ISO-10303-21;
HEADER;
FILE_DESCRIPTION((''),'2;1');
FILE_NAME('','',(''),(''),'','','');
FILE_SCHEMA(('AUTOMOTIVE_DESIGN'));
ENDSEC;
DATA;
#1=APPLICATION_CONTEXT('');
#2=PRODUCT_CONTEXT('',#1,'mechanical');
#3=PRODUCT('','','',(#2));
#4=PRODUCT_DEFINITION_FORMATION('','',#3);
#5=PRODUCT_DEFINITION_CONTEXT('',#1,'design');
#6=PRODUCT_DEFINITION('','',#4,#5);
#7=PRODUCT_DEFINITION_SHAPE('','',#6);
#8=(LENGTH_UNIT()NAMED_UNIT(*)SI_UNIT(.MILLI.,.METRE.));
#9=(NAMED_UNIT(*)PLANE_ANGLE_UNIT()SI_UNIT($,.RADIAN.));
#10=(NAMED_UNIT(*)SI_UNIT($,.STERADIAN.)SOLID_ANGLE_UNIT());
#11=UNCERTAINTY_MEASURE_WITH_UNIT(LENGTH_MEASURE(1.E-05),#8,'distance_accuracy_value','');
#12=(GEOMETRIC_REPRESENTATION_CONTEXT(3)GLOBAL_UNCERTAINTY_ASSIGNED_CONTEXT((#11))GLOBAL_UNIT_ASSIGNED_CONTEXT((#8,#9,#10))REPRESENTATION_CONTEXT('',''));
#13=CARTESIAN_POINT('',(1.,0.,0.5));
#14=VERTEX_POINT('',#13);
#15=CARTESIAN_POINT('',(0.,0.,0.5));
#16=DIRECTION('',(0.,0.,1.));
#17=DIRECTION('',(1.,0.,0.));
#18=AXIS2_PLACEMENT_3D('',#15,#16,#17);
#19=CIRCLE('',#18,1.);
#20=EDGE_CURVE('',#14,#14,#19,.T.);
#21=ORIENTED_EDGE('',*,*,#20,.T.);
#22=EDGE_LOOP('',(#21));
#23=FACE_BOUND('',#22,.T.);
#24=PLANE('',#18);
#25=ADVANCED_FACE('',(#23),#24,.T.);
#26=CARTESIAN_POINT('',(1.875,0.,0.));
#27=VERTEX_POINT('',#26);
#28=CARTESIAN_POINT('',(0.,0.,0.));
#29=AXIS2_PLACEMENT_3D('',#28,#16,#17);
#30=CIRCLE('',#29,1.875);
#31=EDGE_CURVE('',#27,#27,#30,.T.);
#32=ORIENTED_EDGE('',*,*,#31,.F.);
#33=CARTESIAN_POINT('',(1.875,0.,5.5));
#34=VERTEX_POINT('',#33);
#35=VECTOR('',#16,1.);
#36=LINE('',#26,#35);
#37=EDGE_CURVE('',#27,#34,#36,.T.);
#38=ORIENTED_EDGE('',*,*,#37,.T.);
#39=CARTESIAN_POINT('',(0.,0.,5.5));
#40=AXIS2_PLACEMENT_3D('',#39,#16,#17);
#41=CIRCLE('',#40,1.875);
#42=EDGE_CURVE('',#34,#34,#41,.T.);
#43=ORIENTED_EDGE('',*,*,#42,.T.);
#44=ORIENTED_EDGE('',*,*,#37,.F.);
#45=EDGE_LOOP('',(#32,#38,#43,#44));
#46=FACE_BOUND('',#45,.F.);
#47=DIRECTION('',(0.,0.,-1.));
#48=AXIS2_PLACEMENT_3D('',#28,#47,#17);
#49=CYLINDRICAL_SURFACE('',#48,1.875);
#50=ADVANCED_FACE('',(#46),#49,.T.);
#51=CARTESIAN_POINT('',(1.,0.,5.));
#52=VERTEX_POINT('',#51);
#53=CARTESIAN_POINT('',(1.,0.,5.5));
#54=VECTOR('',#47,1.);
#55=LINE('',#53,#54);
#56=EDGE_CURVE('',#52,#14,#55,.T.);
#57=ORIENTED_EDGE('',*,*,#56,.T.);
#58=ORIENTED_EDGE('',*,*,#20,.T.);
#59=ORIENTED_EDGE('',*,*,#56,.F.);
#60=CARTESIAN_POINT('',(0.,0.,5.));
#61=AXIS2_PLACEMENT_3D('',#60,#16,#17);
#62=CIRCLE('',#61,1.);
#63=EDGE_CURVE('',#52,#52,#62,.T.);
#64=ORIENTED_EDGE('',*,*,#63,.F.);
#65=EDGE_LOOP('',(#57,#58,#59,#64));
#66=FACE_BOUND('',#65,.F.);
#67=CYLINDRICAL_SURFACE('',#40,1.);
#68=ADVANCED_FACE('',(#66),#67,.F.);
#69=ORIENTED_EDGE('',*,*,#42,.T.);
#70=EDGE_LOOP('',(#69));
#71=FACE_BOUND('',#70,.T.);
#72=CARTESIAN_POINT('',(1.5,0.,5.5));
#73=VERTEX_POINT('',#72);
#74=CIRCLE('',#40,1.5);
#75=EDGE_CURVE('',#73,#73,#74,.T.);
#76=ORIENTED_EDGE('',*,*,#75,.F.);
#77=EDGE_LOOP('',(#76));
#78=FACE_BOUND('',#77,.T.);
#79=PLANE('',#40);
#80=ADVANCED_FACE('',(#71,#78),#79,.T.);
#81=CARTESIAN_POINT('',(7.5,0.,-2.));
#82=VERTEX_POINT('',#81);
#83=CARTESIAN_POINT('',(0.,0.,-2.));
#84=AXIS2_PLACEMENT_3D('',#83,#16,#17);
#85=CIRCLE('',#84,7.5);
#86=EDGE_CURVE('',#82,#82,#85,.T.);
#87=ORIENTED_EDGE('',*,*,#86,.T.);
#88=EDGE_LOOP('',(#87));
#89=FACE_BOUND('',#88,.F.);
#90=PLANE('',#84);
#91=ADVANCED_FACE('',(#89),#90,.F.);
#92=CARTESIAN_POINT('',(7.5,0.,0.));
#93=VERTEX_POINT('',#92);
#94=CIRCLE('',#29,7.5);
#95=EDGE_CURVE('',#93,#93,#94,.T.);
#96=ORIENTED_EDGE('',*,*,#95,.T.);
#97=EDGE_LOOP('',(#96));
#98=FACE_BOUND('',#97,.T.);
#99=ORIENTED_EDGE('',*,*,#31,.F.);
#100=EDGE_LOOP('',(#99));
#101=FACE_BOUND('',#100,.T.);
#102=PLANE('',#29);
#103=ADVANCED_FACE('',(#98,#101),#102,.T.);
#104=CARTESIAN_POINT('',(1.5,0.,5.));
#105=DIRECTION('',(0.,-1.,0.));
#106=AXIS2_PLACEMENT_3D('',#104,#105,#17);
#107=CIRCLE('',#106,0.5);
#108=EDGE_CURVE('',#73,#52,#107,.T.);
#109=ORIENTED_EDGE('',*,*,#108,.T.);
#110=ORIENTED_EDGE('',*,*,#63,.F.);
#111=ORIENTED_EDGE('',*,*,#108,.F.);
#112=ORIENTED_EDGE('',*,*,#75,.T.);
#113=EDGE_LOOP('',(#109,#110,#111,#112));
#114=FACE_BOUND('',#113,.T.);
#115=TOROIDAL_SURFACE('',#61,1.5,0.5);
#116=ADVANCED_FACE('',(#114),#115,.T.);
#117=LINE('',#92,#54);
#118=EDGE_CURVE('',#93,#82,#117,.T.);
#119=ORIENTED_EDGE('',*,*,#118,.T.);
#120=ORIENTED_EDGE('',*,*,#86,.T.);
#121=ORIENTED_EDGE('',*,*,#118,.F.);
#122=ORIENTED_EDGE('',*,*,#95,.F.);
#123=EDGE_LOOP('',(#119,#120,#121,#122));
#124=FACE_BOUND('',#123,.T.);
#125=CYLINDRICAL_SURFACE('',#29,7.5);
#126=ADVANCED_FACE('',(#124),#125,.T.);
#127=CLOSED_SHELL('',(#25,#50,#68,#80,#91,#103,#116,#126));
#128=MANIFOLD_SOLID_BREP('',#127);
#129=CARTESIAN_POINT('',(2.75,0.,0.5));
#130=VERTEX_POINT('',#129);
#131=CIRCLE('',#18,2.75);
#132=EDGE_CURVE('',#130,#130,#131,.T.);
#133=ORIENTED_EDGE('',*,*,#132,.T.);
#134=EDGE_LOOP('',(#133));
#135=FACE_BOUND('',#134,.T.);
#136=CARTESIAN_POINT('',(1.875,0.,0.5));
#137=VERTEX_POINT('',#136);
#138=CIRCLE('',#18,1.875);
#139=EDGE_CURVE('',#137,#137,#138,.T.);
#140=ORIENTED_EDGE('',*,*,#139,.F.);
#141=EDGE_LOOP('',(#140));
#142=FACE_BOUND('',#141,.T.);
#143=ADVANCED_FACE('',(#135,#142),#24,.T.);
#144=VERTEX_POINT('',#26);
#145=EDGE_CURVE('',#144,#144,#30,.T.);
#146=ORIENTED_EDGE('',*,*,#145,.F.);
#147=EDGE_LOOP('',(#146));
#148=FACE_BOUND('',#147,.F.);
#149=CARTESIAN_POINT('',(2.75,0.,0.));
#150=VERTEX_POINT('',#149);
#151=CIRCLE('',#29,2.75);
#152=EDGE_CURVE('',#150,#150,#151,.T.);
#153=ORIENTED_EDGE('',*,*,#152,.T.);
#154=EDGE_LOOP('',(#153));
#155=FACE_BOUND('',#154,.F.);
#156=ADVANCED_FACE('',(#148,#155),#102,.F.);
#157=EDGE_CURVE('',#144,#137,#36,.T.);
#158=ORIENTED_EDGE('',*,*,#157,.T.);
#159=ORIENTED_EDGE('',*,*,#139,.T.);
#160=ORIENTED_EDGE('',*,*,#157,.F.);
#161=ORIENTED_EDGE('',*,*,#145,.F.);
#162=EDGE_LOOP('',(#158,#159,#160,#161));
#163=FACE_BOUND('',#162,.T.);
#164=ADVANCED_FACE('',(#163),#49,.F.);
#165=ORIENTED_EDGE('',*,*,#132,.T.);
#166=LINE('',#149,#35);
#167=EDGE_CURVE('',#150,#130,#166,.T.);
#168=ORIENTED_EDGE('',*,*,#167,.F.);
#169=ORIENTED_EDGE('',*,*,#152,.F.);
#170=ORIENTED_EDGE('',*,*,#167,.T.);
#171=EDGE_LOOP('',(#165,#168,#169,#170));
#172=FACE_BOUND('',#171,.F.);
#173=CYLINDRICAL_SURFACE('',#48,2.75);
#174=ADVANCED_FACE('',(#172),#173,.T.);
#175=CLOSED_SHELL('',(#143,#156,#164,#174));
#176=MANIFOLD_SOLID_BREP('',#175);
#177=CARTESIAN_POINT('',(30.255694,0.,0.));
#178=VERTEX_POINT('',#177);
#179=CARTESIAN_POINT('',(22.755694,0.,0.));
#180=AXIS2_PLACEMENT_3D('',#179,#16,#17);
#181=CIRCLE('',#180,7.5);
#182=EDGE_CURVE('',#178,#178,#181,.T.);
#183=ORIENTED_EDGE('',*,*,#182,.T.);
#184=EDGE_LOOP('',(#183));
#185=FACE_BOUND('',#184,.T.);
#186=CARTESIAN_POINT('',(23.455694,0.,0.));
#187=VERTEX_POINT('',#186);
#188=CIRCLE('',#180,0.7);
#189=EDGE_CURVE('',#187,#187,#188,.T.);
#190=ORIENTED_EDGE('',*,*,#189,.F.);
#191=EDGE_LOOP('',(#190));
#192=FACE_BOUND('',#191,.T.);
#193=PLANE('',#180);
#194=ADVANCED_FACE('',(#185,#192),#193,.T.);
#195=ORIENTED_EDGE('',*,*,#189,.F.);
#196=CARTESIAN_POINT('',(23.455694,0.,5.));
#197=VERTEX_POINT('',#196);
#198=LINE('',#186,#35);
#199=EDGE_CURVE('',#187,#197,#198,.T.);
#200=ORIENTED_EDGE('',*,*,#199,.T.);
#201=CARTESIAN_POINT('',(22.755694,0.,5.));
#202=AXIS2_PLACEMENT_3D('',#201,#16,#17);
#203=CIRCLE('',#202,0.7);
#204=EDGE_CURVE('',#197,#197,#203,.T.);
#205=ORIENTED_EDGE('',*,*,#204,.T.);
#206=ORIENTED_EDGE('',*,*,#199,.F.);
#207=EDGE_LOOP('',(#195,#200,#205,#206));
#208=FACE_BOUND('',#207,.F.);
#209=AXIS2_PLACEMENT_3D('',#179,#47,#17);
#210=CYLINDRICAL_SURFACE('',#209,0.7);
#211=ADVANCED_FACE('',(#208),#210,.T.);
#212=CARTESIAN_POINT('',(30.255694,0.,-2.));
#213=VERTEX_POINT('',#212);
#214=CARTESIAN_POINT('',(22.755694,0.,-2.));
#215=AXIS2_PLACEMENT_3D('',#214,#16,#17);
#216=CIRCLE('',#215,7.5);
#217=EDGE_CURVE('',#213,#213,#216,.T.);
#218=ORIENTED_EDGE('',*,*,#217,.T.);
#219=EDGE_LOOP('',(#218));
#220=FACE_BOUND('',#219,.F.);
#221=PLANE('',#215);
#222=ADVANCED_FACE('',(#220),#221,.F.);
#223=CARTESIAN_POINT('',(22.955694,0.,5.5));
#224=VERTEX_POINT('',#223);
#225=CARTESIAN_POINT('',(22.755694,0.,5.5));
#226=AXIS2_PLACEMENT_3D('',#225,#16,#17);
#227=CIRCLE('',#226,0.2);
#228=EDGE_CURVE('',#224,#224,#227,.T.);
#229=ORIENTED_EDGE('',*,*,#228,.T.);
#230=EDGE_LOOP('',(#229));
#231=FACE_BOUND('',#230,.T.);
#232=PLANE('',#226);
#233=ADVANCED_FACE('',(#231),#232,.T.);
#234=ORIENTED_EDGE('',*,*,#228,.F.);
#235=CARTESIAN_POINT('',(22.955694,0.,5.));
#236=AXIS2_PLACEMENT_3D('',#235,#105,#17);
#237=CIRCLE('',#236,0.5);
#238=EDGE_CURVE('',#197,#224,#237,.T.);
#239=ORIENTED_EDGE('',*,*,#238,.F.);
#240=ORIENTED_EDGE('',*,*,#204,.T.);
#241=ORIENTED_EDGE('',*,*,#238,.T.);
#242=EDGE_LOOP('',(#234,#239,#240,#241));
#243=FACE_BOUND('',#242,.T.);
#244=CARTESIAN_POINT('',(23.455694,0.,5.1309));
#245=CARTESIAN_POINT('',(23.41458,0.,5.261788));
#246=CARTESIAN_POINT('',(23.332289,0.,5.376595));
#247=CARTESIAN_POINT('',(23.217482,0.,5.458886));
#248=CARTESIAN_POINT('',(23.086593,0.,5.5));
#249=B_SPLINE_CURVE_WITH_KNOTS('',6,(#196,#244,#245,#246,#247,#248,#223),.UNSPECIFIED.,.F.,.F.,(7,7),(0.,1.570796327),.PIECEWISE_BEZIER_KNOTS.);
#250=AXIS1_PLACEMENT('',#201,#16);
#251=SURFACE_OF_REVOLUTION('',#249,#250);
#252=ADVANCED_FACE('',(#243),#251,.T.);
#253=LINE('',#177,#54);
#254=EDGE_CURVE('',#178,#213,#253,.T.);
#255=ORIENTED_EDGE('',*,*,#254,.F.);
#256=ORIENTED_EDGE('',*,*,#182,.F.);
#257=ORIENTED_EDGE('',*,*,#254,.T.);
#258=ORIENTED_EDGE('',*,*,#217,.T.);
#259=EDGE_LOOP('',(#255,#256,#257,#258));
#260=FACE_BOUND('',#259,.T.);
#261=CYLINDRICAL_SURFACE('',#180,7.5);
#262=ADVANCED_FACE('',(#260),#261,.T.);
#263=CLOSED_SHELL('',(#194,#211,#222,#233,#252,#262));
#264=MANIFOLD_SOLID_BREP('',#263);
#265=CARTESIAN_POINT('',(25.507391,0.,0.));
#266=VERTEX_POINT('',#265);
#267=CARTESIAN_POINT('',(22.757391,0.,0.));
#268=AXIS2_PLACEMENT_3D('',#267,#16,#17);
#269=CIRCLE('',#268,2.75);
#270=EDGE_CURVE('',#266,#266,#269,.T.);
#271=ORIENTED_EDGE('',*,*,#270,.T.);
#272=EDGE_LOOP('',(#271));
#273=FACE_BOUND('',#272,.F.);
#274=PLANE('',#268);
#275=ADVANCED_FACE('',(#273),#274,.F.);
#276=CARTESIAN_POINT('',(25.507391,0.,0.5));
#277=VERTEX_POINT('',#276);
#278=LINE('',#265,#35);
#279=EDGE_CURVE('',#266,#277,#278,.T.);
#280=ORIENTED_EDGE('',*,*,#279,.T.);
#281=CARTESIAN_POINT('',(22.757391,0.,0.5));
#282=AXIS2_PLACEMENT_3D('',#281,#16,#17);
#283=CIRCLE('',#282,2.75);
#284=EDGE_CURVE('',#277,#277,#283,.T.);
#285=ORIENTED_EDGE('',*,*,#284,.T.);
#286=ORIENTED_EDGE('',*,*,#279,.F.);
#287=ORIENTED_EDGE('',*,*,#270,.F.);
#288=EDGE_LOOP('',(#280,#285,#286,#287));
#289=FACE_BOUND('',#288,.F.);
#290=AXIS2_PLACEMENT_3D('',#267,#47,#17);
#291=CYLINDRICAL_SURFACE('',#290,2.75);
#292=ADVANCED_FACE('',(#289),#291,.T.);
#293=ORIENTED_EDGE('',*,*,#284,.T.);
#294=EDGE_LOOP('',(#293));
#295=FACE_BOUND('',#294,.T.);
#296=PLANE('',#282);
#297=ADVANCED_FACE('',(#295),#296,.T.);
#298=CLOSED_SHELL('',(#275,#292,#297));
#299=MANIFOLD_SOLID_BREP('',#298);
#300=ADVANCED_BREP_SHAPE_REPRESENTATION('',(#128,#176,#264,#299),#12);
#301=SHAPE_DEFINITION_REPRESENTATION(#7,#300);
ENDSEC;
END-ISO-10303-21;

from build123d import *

# Parameters (mm, degrees)
F0_R      = 7.5
F1_DEPTH  = 2
F2_R      = 1.875
F3_DEPTH  = 5.5
F4_R      = 1
F5_DEPTH  = 5
F6_R      = 0.7
F7_DEPTH  = 5.5
F8_R      = 0.5
F8_2_R    = 0.5
F15_R     = 2.75
F15_R_2   = 1.875
F16_DEPTH = 0.5


with BuildPart() as f1:
    # F0 (on Top) → F1 (new body)
    with BuildSketch(Plane.XY):
        Circle(F0_R)
    extrude(amount=-F1_DEPTH)

    # F2 (on Top) → F3 (join)
    with BuildSketch(Plane.XY):
        Circle(F2_R)
    extrude(amount=F3_DEPTH)

    # F4 (on face) → F5 (cut)
    with BuildSketch(Plane.XY.offset(5.5)):
        Circle(F4_R)
    extrude(amount=-F5_DEPTH, mode=Mode.SUBTRACT)

    # F8#2
    f8_2_edges = [f1.edges().sort_by_distance(p)[0] for p in [
        (-1, 0, 5.5),
    ]]
    fillet(f8_2_edges, radius=F8_2_R)

    # F11 (on offset) → F12 (revolve, cut)
    with BuildSketch(Plane.XY.offset(-25)):
        with BuildLine():
            Line((0, 23), (0, -23))
            ThreePointArc((0, -23), (23, 0), (0, 23))
        make_face()
    revolve(axis=Axis((0, -3.1805001199, -25), (0, 1, 0)), mode=Mode.SUBTRACT)

    # F13 (on offset) → F14 (revolve, cut)
    with BuildSketch(Plane.XY.offset(-25)):
        with BuildLine():
            Line((22.7556936443, 23), (22.7556936443, -23))
            ThreePointArc((22.7556936443, -23), (45.7556936443, 0), (22.7556936443, 23))
        make_face()
    revolve(axis=Axis((22.7556936443, 0, -25), (0, 1, 0)), mode=Mode.SUBTRACT)


with BuildPart() as f1b:
    # F0 (on Top) → F1, piece 2 (new body)
    with BuildSketch(Plane.XY):
        with Locations((22.7556936443, 0)):
            Circle(F0_R)
    extrude(amount=-F1_DEPTH)

    # F6 (on face) → F7 (join)
    with BuildSketch(Plane.XY):
        with Locations((22.7556936443, 0)):
            Circle(F6_R)
    extrude(amount=F7_DEPTH)

    # F8
    f8_edges = [f1b.edges().sort_by_distance(p)[0] for p in [
        (22.055694, 0, 5.5),
    ]]
    fillet(f8_edges, radius=F8_R)


with BuildPart() as f16:
    # F15 (on face) → F16 (new body)
    with BuildSketch(Plane.XY):
        Circle(F15_R)
        Circle(F15_R_2, mode=Mode.SUBTRACT)
    extrude(amount=F16_DEPTH)


with BuildPart() as f16b:
    # F15 (on face) → F16, piece 2 (new body)
    with BuildSketch(Plane.XY):
        with Locations((22.757390514, 0)):
            Circle(F15_R)
    extrude(amount=F16_DEPTH)


solid = Compound([f1.part, f1b.part, f16.part, f16b.part])
